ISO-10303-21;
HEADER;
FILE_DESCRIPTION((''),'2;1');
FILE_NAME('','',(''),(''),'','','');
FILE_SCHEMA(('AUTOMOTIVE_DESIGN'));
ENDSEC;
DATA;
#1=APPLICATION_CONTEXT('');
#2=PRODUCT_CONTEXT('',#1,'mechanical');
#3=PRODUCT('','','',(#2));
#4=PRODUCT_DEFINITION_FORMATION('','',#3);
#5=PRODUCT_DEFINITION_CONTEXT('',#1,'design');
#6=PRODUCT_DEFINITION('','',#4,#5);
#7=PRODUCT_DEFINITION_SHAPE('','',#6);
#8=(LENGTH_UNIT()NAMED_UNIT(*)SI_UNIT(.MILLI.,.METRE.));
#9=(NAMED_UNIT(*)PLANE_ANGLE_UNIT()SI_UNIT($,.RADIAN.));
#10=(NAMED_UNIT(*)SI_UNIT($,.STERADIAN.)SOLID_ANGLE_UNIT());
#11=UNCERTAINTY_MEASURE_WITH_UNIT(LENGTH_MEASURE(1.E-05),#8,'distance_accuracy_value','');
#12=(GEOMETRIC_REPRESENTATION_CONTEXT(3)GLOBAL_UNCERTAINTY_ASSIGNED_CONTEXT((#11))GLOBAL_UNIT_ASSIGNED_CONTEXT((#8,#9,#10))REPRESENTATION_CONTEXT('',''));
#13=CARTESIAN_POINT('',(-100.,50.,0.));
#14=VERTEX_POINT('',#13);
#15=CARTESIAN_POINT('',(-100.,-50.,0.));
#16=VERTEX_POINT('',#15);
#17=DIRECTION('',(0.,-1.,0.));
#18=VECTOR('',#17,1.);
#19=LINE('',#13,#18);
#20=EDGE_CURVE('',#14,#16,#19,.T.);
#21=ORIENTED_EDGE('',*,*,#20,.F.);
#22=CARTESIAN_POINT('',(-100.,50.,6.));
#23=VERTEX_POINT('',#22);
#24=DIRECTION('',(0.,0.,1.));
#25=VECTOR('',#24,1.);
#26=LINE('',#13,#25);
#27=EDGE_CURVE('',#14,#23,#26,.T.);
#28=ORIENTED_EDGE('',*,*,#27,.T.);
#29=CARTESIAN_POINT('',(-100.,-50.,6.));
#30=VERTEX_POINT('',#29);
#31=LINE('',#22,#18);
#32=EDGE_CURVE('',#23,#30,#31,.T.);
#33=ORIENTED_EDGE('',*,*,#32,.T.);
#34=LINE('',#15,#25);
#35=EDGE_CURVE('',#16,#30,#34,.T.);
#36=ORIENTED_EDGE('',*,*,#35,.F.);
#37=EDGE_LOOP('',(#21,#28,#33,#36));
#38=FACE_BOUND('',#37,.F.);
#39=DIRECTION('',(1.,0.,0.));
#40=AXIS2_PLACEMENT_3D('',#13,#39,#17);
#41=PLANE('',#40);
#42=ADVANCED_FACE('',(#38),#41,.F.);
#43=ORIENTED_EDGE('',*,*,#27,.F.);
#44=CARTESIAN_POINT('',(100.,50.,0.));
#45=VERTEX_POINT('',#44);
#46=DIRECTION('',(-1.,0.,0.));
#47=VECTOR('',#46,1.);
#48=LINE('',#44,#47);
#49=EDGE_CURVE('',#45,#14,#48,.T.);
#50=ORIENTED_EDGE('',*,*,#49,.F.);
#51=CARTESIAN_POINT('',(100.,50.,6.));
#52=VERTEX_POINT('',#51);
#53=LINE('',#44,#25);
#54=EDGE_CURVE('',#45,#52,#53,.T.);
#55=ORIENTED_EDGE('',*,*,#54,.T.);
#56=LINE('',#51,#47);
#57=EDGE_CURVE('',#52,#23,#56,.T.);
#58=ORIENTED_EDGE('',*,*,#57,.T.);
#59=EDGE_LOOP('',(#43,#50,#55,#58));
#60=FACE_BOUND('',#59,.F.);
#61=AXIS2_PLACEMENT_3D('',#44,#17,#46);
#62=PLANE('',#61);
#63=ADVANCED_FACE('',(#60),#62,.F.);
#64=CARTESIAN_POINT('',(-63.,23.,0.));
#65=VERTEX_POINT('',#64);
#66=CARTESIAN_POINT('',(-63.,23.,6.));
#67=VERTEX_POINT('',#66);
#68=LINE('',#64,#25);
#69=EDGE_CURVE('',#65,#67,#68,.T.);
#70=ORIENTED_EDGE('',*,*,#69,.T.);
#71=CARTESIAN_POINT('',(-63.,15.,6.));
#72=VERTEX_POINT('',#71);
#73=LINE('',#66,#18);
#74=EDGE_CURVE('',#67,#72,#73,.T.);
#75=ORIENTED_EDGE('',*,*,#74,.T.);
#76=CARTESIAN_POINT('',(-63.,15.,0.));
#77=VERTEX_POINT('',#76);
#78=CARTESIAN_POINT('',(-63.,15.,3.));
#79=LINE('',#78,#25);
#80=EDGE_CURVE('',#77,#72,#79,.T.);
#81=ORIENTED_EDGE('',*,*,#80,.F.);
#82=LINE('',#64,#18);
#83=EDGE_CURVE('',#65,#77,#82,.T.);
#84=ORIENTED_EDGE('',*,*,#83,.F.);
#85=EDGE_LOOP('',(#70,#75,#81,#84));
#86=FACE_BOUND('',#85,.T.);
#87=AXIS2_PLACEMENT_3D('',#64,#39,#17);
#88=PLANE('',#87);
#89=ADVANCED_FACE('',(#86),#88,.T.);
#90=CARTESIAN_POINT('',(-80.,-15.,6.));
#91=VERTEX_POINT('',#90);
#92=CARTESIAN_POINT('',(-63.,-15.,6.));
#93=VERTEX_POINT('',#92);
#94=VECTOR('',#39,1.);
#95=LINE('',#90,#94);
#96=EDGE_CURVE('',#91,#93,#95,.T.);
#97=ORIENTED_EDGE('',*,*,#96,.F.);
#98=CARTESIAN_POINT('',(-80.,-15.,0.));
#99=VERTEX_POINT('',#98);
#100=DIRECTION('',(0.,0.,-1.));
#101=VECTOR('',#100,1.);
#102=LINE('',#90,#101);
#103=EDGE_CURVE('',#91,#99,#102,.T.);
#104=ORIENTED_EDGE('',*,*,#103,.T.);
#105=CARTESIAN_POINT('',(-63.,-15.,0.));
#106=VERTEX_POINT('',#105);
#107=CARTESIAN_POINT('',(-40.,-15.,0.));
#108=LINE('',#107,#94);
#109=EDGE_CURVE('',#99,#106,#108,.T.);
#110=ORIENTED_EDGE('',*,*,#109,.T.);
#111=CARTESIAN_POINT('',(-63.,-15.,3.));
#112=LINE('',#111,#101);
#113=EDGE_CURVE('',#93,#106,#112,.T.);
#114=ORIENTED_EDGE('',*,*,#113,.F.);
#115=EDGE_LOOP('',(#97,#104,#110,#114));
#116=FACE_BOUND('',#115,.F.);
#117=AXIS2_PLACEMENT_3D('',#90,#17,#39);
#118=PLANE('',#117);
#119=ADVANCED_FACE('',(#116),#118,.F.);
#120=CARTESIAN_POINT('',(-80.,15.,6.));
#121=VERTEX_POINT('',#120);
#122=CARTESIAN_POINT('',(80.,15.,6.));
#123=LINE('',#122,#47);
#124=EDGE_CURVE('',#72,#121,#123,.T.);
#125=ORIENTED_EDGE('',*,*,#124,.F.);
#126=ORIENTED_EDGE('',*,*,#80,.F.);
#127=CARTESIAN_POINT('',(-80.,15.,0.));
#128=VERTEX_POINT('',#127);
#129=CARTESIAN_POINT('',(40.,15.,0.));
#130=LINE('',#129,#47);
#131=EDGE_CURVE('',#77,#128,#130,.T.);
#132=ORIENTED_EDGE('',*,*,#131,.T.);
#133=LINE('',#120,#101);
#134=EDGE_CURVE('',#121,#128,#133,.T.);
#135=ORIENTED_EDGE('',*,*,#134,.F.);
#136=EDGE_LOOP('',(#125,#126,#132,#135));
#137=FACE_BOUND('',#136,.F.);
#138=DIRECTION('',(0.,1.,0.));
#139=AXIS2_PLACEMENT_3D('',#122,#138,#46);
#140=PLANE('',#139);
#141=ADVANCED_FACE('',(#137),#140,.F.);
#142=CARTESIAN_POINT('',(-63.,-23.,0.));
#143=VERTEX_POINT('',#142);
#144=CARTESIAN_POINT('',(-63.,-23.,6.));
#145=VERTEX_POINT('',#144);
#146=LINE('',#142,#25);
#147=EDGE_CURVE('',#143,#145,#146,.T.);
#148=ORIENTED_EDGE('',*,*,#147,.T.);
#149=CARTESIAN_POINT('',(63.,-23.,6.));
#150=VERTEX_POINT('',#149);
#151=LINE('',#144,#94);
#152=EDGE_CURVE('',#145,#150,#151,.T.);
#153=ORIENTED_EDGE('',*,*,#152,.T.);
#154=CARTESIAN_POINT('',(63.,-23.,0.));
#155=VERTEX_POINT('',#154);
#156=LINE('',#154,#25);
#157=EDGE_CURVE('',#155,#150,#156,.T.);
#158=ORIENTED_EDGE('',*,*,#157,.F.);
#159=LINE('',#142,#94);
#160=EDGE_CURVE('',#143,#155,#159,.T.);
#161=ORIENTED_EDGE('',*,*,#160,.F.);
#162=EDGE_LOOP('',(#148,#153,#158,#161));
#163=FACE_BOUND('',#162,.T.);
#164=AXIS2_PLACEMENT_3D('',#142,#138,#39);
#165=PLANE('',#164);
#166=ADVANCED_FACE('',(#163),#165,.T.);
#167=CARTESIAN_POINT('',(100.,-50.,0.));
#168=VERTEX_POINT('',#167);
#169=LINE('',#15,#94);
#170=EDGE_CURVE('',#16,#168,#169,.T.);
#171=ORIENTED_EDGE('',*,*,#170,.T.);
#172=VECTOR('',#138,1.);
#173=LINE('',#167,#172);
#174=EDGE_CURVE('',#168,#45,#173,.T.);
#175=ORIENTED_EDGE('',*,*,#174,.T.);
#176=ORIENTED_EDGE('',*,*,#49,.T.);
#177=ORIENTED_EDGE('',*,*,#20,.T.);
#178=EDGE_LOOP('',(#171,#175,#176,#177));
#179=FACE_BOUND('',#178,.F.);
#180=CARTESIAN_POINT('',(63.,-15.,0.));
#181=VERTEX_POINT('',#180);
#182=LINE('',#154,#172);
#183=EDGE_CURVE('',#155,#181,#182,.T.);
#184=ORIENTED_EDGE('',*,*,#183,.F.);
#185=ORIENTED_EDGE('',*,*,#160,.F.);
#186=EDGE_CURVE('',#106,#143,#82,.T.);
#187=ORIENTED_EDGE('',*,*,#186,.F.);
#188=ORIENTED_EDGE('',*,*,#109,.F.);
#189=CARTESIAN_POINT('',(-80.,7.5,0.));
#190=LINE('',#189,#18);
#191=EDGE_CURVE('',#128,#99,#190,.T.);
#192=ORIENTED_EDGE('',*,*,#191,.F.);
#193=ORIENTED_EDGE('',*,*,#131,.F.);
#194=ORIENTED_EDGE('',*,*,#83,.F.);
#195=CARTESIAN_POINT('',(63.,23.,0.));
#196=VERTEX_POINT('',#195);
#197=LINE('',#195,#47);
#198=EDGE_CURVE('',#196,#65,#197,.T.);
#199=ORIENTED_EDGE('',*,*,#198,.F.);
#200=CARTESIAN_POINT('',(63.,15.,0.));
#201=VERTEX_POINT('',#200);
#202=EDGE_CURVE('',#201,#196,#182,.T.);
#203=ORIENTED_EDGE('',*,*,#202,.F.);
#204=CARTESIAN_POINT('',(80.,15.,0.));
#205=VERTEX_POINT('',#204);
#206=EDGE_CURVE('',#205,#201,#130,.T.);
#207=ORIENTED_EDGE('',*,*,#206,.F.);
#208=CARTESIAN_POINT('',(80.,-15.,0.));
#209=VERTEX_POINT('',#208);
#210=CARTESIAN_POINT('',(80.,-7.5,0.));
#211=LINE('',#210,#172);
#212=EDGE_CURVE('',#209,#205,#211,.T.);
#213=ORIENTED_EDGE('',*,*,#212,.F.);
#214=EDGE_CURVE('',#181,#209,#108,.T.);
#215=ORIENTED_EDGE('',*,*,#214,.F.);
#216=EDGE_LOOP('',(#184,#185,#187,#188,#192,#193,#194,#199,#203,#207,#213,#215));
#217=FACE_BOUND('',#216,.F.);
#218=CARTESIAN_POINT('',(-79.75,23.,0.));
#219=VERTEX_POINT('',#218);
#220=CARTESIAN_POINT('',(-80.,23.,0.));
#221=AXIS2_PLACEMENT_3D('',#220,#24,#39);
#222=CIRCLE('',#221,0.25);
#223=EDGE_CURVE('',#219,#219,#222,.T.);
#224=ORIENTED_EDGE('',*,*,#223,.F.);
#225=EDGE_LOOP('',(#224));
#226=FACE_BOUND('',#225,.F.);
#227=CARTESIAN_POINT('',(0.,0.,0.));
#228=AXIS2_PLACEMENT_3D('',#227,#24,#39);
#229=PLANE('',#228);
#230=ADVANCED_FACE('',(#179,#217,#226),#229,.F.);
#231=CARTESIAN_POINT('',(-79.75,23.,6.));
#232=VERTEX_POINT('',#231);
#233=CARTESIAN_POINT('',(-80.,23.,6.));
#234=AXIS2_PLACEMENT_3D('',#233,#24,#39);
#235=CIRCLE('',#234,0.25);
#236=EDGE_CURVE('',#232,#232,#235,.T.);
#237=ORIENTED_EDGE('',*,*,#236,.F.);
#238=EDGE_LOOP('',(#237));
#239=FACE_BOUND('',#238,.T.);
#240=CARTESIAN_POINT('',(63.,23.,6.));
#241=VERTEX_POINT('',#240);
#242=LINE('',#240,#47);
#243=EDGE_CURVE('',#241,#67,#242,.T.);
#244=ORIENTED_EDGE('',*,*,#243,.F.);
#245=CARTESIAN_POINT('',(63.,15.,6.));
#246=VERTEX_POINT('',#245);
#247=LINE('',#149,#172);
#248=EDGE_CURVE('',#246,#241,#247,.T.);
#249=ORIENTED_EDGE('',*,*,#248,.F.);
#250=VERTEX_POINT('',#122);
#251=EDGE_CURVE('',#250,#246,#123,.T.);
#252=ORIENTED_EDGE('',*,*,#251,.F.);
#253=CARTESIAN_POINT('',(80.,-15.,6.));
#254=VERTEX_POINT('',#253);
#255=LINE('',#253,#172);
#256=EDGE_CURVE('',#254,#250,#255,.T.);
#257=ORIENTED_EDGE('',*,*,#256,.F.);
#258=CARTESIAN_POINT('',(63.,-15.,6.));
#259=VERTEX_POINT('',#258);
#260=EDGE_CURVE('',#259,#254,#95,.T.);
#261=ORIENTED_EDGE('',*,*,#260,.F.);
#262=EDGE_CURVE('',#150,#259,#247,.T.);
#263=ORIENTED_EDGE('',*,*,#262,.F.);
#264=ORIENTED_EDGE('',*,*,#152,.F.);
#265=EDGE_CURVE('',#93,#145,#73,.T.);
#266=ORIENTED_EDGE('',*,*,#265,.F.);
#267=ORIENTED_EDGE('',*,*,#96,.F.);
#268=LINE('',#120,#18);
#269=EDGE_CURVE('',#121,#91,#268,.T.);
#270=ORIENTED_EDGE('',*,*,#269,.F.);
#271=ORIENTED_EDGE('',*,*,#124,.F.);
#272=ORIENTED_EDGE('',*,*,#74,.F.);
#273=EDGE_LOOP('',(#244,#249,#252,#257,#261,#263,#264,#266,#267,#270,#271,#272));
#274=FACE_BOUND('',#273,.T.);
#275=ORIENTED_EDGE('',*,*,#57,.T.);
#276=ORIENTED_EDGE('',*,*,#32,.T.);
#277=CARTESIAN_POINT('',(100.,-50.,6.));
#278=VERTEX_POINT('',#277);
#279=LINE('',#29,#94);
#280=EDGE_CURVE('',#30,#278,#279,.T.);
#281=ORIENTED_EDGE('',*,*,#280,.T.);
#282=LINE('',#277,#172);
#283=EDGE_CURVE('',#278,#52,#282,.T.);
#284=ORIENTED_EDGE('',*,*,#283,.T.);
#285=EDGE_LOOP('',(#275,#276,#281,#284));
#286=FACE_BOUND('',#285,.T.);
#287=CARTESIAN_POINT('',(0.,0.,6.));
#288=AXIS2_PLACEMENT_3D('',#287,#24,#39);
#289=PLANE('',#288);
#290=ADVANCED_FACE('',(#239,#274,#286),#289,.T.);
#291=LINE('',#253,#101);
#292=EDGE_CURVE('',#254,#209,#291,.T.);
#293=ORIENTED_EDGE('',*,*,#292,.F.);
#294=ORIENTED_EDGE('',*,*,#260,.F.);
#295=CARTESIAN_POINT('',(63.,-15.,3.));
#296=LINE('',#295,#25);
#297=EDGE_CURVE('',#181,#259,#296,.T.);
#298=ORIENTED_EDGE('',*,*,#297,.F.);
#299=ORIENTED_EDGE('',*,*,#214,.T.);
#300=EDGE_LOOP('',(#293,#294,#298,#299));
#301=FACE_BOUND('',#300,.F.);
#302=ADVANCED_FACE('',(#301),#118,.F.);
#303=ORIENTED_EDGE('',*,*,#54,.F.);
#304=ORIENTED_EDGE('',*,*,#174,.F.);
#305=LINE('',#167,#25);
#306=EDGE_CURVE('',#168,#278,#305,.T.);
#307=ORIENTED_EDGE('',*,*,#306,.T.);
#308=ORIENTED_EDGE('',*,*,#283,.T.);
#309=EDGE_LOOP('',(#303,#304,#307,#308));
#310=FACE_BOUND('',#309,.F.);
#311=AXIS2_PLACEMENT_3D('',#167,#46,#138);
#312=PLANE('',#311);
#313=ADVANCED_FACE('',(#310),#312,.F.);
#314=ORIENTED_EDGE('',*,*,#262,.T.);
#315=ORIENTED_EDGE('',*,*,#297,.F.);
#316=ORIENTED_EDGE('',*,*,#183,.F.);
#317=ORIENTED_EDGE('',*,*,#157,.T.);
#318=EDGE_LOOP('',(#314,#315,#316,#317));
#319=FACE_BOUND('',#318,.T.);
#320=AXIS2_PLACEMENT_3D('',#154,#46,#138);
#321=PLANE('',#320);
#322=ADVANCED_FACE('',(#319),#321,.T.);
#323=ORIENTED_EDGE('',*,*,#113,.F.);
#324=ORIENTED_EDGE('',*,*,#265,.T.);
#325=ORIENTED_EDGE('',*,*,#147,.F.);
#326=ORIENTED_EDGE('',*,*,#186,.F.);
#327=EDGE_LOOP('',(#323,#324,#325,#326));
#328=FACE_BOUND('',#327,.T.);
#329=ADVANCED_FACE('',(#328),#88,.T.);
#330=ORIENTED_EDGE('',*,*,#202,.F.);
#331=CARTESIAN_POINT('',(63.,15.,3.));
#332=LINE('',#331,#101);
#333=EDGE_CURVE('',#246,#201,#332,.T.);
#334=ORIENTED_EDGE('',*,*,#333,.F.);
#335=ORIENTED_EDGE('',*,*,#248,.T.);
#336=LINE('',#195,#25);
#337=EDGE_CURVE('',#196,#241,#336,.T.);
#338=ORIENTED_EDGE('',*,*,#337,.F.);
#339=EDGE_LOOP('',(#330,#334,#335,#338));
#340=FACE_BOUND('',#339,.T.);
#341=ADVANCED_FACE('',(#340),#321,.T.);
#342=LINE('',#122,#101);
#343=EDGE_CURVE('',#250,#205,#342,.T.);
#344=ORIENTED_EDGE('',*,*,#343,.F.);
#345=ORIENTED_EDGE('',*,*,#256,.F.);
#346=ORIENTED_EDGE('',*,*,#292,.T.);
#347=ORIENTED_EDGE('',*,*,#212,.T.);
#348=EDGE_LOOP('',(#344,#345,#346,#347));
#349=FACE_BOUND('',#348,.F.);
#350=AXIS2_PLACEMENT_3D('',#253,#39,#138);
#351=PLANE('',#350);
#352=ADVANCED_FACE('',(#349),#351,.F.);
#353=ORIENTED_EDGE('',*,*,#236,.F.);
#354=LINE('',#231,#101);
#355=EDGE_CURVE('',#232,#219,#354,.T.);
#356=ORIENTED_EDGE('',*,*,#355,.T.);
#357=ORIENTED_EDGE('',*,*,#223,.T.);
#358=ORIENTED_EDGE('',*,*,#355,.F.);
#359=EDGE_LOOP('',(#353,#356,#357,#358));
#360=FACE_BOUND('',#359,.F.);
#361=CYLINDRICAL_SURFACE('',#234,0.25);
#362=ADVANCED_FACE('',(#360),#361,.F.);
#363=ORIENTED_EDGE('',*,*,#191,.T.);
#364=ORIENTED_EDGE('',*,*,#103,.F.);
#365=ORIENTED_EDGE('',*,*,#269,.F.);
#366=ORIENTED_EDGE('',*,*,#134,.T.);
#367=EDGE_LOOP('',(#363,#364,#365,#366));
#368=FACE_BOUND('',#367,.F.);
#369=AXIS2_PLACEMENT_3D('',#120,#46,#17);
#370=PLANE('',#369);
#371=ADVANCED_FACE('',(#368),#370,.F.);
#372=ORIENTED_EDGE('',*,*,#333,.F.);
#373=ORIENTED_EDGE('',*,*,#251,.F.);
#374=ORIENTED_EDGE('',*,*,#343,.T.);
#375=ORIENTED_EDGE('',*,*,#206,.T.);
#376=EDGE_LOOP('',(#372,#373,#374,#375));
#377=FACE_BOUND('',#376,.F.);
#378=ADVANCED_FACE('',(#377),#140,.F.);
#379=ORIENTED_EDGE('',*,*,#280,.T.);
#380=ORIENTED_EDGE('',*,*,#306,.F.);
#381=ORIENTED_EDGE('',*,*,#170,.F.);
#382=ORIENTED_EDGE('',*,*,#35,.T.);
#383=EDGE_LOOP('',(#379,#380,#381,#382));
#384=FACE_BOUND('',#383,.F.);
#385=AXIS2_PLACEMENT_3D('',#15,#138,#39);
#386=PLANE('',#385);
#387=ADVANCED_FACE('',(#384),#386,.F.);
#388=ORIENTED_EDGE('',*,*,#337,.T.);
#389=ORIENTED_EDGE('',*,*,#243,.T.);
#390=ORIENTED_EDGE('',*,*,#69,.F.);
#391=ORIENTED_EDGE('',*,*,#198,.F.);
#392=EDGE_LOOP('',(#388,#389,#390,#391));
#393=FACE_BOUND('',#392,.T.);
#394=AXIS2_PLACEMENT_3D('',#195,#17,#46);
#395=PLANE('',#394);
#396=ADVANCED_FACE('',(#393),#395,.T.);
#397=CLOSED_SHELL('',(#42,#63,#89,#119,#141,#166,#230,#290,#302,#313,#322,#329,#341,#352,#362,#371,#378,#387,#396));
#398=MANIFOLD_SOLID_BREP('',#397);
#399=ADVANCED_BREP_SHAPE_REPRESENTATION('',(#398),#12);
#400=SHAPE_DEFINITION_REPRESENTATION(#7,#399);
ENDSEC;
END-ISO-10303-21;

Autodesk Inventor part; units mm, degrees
ref_plane "YZ Plane" through (0, 0, 0) normal (1, 0, 0) x (0, 1, 0)
ref_plane "XZ Plane" through (0, 0, 0) normal (0, 1, 0) x (-1, 0, 0)
ref_plane "XY Plane" through (0, 0, 0) normal (0, 0, 1) x (1, 0, 0)
sketch "Sketch1" plane through (0, 0, 0) normal (0, 0, 1) x (1, 0, 0)
  line L0 (-100, -50) -> (100, -50)
  line L1 (100, -50) -> (100, 50)
  line L2 (100, 50) -> (-100, 50)
  line L3 (-100, 50) -> (-100, -50)
  line L4 (-100, -50) -> (100, 50) construction
  line L5 (100, -50) -> (-100, 50) construction
  line L6 (-63, -23) -> (63, -23)
  line L7 (63, -23) -> (63, 23)
  line L8 (63, 23) -> (-63, 23)
  line L9 (-63, 23) -> (-63, -23)
  line L10 (-63, -23) -> (63, 23) construction
  line L11 (63, -23) -> (-63, 23) construction
  point P0 (0, 0)
  dimension "d0" = 200
  dimension "d1" = 100
  dimension "d2" = 126
  dimension "d3" = 46
extrude "Extrusion1" add sketch "Sketch1" along normal blind 6
sketch "Sketch2" plane through (0, 0, 6) normal (0, 0, 1) x (1, 0, 0)
  line L0 (-80, -15) -> (80, -15)
  line L1 (80, -15) -> (80, 15)
  line L2 (80, 15) -> (-80, 15)
  line L3 (-80, 15) -> (-80, -15)
  line L4 (-80, -15) -> (80, 15) construction
  line L5 (80, -15) -> (-80, 15) construction
  point P0 (0, 0)
  dimension "d6" = 160
  dimension "d7" = 30
extrude "Extrusion2" cut sketch "Sketch2" against normal through all
sketch "Sketch3" plane through (0, 0, 6) normal (0, 0, 1) x (1, 0, 0)
  line L0 (-90.4385, 41.5009) -> (-72.2585, 41.5009) construction
  line L1 (-72.2585, 41.5009) -> (-72.2585, 36.1823) construction
  line L2 (-72.2585, 36.1823) -> (-90.4385, 36.1823) construction
  line L3 (-90.4385, 36.1823) -> (-90.4385, 41.5009) construction
  circle A0 centre (-80, 23) radius 0.25
  line L4 (-80, -15) -> (-80, 15) projected
  line L5 (-63, 23) -> (63, 23) projected
  line L6 (100, -50) -> (100, 50) projected
  line L7 (100, 50) -> (-100, 50) projected
  line L8 (-100, 50) -> (-100, -50) projected
  line L9 (-100, -50) -> (100, -50) projected
  line L10 (63, 15) -> (80, 15) projected
  line L11 (80, 15) -> (80, -15) projected
  line L12 (80, -15) -> (63, -15) projected
  line L13 (63, -15) -> (63, -23) projected
  line L14 (63, -23) -> (-63, -23) projected
  line L15 (-63, -23) -> (-63, -15) projected
  line L16 (-63, -15) -> (-80, -15) projected
  line L17 (-80, -15) -> (-80, 15) projected
  line L18 (-80, 15) -> (-63, 15) projected
  line L19 (-63, 15) -> (-63, 23) projected
  line L20 (-63, 23) -> (63, 23) projected
  line L21 (63, 23) -> (63, 15) projected
  point P0 (0, 0)
  dimension "d10" = 0
  dimension "d11" = 0
  dimension "d12" = 0.5
extrude "Extrusion3" cut sketch "Sketch3" against normal through all contours A0
properties part number "EngravingJig"
